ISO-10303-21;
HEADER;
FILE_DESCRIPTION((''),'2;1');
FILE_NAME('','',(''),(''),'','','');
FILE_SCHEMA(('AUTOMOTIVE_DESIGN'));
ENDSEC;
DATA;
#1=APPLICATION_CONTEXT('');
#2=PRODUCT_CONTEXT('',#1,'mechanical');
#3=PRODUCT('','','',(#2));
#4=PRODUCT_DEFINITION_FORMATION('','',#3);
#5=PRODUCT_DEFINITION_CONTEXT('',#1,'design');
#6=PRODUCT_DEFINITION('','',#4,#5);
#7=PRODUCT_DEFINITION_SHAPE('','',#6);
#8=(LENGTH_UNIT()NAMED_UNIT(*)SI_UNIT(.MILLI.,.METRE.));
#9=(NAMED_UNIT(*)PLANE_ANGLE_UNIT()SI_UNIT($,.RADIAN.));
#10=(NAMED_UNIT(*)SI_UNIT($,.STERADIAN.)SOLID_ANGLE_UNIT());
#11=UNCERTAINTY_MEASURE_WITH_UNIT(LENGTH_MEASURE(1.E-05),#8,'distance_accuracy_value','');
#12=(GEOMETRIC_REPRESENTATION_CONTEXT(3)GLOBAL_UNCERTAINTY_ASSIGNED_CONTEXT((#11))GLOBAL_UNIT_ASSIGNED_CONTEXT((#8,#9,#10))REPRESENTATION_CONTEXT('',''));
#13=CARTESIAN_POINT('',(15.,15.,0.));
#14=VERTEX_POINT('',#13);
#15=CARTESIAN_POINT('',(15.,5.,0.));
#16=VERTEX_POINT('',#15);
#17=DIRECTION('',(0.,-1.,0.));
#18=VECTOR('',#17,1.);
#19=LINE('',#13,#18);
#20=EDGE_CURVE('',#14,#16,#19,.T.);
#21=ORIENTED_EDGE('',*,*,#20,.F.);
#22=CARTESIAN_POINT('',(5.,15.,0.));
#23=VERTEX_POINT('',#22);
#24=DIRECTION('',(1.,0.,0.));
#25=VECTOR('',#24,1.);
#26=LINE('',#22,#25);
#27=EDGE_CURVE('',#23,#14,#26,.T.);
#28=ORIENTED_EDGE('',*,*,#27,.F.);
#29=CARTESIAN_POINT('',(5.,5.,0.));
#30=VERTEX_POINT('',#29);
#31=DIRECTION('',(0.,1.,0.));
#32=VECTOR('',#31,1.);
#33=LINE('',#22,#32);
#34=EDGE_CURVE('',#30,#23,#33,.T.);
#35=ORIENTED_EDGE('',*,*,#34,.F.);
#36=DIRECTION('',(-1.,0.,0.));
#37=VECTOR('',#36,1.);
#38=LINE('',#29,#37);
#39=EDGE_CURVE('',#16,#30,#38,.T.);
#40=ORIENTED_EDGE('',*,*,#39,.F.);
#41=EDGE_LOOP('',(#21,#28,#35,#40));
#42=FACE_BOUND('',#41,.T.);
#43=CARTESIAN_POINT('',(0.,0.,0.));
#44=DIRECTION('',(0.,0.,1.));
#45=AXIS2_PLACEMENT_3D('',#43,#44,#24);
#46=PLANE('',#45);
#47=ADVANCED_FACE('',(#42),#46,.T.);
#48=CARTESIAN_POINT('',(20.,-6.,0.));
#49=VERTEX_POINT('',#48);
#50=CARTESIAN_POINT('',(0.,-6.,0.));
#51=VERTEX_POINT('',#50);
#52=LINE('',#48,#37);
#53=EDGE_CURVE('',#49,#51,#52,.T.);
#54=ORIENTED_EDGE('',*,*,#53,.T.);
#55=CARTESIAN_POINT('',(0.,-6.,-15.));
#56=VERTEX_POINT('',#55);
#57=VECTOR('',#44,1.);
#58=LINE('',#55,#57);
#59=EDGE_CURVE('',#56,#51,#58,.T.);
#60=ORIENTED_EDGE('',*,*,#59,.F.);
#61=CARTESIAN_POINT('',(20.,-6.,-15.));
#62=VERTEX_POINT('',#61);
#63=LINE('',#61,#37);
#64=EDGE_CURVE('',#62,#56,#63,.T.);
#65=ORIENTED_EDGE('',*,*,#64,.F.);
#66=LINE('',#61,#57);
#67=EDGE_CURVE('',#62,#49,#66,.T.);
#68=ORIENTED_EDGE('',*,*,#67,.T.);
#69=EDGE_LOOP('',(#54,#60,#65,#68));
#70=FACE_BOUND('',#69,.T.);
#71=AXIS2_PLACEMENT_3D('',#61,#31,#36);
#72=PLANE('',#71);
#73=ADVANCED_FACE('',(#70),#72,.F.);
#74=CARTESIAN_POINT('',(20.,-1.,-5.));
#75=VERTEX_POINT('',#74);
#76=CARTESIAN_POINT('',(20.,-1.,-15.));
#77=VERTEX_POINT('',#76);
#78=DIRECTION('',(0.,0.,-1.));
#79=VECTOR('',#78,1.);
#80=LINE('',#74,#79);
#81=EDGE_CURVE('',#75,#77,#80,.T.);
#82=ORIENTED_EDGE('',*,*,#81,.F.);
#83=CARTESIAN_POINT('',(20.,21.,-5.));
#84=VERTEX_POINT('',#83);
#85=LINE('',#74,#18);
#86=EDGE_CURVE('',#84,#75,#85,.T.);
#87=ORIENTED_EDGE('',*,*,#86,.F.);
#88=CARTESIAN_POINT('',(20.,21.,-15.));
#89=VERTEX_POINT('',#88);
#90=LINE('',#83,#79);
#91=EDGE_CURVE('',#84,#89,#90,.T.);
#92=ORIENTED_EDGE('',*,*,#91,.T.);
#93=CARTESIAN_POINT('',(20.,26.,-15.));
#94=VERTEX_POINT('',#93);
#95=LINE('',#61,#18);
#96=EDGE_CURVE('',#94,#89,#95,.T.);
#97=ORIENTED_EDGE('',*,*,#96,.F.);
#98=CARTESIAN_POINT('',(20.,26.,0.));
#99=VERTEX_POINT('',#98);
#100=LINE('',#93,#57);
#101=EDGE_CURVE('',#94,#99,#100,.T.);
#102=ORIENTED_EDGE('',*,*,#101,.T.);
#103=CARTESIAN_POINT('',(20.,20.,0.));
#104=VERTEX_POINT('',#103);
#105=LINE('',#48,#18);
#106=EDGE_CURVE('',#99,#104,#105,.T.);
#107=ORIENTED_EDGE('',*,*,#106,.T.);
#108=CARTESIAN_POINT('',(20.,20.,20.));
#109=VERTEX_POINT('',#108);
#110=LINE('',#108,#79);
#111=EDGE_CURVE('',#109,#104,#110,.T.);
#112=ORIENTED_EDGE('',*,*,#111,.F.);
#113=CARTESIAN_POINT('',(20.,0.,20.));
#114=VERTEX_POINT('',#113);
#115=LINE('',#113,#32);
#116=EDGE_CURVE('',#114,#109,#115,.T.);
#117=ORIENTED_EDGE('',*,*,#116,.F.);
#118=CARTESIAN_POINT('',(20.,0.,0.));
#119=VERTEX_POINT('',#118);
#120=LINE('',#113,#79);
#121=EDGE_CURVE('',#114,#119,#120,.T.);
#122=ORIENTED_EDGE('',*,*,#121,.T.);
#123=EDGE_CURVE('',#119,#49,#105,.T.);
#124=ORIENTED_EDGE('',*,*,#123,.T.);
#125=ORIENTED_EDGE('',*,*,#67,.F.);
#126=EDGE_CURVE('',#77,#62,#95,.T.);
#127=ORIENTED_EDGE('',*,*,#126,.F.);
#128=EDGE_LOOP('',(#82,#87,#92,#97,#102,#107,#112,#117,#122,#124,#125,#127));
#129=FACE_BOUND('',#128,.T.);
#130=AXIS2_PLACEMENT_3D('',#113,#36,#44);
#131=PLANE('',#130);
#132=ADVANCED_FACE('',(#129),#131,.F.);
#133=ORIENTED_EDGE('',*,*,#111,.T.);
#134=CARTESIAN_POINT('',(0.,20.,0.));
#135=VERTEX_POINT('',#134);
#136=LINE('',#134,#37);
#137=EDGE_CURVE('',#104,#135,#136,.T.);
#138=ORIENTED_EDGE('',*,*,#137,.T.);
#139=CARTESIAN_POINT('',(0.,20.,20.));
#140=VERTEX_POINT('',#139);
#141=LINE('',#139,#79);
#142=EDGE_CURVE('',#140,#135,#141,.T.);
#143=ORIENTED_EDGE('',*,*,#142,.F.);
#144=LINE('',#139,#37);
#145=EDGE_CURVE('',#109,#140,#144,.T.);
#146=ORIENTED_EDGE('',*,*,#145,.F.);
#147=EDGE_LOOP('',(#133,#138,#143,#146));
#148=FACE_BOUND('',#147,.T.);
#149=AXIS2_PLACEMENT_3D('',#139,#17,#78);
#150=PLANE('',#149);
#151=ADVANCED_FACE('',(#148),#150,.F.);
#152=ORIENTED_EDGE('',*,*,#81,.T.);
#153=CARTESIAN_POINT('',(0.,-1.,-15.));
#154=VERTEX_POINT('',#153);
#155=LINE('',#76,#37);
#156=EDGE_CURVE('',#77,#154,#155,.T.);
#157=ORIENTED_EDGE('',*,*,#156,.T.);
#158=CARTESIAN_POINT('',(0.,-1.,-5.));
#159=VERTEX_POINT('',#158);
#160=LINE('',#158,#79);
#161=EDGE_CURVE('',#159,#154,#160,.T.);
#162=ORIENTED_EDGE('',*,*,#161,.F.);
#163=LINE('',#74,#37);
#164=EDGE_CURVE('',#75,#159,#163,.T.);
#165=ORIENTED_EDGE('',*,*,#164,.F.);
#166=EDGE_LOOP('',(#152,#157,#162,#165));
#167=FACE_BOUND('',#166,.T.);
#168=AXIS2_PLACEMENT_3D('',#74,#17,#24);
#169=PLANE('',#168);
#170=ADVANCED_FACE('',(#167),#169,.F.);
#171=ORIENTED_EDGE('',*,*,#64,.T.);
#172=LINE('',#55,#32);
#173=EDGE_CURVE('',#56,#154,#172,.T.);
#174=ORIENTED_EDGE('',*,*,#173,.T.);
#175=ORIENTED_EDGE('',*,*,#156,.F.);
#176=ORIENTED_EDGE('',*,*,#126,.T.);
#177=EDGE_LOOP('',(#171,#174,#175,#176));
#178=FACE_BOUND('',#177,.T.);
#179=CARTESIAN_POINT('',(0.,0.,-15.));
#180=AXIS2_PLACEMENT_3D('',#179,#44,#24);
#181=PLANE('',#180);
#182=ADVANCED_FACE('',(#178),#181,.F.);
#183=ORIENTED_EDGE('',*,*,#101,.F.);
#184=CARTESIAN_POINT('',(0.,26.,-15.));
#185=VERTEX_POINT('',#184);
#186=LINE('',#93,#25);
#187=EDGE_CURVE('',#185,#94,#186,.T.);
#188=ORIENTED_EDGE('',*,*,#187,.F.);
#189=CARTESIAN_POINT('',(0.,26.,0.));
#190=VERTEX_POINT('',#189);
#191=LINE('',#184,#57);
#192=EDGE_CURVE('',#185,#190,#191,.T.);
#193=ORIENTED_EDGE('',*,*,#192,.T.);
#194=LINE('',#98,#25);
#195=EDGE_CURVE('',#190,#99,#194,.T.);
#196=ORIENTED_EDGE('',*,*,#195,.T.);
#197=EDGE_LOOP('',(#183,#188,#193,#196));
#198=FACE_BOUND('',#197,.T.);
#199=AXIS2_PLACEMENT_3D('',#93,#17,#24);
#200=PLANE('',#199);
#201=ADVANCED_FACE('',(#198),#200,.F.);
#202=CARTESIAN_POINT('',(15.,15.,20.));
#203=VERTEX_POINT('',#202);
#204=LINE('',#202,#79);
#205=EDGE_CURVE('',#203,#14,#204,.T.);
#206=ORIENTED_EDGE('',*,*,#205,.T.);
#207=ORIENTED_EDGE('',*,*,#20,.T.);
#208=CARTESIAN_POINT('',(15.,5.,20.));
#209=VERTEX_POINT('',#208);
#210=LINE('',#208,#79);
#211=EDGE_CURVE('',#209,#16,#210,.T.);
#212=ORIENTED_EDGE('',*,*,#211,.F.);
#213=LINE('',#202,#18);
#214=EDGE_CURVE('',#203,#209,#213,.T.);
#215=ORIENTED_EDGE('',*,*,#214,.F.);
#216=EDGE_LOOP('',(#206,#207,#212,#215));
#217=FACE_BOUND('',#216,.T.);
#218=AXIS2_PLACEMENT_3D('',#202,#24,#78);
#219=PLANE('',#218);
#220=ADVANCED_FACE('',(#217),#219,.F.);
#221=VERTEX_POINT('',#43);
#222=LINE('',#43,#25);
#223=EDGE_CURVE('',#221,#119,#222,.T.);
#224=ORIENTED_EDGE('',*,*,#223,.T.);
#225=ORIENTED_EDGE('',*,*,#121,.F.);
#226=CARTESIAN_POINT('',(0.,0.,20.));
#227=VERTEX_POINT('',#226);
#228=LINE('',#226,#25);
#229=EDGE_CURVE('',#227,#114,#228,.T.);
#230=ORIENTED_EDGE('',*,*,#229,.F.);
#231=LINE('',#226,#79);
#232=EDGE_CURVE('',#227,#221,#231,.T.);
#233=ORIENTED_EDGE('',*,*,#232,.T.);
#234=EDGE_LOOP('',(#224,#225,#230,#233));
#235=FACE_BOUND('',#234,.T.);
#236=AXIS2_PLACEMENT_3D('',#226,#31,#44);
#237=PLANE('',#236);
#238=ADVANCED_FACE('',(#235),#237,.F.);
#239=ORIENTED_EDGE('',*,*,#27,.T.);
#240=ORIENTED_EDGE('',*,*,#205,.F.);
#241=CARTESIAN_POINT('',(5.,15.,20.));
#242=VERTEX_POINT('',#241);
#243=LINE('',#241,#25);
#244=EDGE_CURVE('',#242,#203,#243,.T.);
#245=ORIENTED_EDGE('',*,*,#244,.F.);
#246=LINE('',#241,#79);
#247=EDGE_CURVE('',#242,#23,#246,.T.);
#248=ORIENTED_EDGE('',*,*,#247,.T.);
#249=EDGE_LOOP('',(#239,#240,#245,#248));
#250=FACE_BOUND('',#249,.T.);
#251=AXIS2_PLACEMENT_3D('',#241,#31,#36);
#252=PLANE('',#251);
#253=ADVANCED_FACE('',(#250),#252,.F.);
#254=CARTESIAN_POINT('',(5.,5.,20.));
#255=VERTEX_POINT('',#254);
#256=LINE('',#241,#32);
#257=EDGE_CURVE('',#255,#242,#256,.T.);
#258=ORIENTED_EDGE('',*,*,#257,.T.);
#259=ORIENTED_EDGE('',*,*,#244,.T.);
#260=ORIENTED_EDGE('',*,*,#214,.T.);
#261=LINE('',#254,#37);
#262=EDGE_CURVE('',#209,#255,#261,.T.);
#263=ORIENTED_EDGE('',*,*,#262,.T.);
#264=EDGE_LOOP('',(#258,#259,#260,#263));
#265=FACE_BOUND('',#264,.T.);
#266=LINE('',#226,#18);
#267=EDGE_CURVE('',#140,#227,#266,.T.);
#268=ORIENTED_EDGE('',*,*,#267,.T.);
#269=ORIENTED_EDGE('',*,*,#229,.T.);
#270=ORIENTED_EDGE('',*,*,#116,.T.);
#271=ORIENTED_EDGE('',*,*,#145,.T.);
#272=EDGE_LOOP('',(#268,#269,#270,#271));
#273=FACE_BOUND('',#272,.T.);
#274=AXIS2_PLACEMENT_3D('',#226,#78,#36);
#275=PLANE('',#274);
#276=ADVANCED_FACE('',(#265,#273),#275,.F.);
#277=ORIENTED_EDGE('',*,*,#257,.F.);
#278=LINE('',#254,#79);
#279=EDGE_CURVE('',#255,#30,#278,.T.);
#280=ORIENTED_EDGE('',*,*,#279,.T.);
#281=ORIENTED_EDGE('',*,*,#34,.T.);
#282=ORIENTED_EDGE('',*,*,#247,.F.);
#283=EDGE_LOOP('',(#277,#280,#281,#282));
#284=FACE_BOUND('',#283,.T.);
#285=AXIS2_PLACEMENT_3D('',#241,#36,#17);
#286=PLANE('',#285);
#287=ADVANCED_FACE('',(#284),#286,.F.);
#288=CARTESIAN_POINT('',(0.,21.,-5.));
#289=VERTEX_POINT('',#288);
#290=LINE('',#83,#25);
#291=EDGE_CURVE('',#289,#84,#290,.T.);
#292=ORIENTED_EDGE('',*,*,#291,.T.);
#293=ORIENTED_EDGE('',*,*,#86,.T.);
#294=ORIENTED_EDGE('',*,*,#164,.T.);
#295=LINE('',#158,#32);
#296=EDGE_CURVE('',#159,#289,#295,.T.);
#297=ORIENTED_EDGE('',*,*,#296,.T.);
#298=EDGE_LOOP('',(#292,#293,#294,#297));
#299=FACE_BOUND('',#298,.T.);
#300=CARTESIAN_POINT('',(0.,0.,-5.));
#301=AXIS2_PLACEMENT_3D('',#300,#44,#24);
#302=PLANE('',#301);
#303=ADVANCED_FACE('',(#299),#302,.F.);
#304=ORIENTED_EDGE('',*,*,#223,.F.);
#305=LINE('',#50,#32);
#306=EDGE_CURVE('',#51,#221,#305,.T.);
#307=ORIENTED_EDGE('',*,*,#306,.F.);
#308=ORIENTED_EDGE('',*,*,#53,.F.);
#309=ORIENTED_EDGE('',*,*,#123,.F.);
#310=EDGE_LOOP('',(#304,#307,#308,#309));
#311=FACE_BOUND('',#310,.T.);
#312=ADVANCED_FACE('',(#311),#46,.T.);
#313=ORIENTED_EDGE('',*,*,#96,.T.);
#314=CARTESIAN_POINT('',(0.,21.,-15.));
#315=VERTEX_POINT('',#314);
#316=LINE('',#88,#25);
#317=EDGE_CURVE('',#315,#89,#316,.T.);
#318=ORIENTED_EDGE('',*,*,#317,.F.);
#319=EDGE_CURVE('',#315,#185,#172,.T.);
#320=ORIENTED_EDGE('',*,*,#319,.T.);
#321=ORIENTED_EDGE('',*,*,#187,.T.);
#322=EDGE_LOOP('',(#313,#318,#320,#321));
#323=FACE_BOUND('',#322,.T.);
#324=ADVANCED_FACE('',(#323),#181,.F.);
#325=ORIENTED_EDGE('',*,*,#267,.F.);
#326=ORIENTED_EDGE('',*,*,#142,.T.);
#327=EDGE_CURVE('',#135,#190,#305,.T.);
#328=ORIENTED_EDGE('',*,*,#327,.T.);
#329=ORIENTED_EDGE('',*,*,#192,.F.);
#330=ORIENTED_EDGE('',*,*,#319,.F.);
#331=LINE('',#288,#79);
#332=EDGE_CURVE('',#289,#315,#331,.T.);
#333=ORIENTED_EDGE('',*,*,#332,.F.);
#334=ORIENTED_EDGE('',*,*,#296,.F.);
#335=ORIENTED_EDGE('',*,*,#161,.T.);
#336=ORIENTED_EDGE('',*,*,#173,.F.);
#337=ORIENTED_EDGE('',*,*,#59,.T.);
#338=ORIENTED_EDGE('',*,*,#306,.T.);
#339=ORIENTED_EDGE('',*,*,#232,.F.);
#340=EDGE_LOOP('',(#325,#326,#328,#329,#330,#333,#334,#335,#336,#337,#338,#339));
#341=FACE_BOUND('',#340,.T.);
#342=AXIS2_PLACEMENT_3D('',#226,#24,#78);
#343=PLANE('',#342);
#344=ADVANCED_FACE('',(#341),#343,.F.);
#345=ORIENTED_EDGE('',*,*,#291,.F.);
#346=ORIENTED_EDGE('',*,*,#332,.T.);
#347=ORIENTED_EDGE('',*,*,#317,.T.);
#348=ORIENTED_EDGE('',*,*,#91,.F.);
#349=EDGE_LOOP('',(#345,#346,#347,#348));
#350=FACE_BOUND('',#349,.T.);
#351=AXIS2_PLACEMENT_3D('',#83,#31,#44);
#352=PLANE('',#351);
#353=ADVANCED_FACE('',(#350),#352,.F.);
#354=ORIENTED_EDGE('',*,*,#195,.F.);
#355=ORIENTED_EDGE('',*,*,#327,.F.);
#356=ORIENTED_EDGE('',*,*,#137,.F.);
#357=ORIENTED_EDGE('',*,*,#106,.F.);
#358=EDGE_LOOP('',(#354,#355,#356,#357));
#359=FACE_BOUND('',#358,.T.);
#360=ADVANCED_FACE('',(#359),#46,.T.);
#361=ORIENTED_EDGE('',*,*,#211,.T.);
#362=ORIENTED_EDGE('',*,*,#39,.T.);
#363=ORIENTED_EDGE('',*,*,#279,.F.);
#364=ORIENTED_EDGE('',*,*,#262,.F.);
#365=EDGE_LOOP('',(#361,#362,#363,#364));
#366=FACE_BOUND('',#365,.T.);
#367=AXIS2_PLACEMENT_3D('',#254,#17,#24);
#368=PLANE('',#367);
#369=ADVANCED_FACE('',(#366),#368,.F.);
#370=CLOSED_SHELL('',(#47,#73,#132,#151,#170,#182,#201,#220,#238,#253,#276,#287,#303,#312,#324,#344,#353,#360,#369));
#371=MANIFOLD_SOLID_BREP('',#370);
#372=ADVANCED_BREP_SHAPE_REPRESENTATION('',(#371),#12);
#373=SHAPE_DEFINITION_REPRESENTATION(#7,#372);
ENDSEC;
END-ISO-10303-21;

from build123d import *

# Parameters (mm, degrees)
SKETCH_1_W          = 20
SKETCH_1_H          = 20
EXTRUDE_1_DEPTH     = 20
SKETCH_3_W          = 10
SKETCH_3_H          = 10
CUT_EXTRUDE_1_DEPTH = 20
SKETCH_4_W          = 20
SKETCH_4_H          = 32
EXTRUDE_2_DEPTH     = 15
SKETCH_5_W          = 20
SKETCH_5_H          = 22
CUT_EXTRUDE_2_DEPTH = 10


with BuildPart() as part:
    # 草图1 → 凸台-拉伸1 (new body)
    with BuildSketch(Plane.XY):
        with Locations((10, 10)):
            Rectangle(SKETCH_1_W, SKETCH_1_H)
    extrude(amount=EXTRUDE_1_DEPTH)

    # 草图3 → 切除-拉伸1 (cut)
    with BuildSketch(Plane(origin=(0, 0, 0), x_dir=(-1, 0, 0), z_dir=(0, 0, -1))):
        with Locations((-10, 10)):
            Rectangle(SKETCH_3_W, SKETCH_3_H)
    extrude(amount=-CUT_EXTRUDE_1_DEPTH, mode=Mode.SUBTRACT)

    # 草图4 → 凸台-拉伸2 (add)
    with BuildSketch(Plane(origin=(0, 0, 0), x_dir=(-1, 0, 0), z_dir=(0, 0, -1))):
        with Locations((-10, 10)):
            Rectangle(SKETCH_4_W, SKETCH_4_H)
    extrude(amount=EXTRUDE_2_DEPTH)

    # 草图5 → 切除-拉伸2 (cut)
    with BuildSketch(Plane(origin=(0, 0, -15), x_dir=(-1, 0, 0), z_dir=(0, 0, -1))):
        with Locations((-10, 10)):
            Rectangle(SKETCH_5_W, SKETCH_5_H)
    extrude(amount=-CUT_EXTRUDE_2_DEPTH, mode=Mode.SUBTRACT)


solid = part.part
